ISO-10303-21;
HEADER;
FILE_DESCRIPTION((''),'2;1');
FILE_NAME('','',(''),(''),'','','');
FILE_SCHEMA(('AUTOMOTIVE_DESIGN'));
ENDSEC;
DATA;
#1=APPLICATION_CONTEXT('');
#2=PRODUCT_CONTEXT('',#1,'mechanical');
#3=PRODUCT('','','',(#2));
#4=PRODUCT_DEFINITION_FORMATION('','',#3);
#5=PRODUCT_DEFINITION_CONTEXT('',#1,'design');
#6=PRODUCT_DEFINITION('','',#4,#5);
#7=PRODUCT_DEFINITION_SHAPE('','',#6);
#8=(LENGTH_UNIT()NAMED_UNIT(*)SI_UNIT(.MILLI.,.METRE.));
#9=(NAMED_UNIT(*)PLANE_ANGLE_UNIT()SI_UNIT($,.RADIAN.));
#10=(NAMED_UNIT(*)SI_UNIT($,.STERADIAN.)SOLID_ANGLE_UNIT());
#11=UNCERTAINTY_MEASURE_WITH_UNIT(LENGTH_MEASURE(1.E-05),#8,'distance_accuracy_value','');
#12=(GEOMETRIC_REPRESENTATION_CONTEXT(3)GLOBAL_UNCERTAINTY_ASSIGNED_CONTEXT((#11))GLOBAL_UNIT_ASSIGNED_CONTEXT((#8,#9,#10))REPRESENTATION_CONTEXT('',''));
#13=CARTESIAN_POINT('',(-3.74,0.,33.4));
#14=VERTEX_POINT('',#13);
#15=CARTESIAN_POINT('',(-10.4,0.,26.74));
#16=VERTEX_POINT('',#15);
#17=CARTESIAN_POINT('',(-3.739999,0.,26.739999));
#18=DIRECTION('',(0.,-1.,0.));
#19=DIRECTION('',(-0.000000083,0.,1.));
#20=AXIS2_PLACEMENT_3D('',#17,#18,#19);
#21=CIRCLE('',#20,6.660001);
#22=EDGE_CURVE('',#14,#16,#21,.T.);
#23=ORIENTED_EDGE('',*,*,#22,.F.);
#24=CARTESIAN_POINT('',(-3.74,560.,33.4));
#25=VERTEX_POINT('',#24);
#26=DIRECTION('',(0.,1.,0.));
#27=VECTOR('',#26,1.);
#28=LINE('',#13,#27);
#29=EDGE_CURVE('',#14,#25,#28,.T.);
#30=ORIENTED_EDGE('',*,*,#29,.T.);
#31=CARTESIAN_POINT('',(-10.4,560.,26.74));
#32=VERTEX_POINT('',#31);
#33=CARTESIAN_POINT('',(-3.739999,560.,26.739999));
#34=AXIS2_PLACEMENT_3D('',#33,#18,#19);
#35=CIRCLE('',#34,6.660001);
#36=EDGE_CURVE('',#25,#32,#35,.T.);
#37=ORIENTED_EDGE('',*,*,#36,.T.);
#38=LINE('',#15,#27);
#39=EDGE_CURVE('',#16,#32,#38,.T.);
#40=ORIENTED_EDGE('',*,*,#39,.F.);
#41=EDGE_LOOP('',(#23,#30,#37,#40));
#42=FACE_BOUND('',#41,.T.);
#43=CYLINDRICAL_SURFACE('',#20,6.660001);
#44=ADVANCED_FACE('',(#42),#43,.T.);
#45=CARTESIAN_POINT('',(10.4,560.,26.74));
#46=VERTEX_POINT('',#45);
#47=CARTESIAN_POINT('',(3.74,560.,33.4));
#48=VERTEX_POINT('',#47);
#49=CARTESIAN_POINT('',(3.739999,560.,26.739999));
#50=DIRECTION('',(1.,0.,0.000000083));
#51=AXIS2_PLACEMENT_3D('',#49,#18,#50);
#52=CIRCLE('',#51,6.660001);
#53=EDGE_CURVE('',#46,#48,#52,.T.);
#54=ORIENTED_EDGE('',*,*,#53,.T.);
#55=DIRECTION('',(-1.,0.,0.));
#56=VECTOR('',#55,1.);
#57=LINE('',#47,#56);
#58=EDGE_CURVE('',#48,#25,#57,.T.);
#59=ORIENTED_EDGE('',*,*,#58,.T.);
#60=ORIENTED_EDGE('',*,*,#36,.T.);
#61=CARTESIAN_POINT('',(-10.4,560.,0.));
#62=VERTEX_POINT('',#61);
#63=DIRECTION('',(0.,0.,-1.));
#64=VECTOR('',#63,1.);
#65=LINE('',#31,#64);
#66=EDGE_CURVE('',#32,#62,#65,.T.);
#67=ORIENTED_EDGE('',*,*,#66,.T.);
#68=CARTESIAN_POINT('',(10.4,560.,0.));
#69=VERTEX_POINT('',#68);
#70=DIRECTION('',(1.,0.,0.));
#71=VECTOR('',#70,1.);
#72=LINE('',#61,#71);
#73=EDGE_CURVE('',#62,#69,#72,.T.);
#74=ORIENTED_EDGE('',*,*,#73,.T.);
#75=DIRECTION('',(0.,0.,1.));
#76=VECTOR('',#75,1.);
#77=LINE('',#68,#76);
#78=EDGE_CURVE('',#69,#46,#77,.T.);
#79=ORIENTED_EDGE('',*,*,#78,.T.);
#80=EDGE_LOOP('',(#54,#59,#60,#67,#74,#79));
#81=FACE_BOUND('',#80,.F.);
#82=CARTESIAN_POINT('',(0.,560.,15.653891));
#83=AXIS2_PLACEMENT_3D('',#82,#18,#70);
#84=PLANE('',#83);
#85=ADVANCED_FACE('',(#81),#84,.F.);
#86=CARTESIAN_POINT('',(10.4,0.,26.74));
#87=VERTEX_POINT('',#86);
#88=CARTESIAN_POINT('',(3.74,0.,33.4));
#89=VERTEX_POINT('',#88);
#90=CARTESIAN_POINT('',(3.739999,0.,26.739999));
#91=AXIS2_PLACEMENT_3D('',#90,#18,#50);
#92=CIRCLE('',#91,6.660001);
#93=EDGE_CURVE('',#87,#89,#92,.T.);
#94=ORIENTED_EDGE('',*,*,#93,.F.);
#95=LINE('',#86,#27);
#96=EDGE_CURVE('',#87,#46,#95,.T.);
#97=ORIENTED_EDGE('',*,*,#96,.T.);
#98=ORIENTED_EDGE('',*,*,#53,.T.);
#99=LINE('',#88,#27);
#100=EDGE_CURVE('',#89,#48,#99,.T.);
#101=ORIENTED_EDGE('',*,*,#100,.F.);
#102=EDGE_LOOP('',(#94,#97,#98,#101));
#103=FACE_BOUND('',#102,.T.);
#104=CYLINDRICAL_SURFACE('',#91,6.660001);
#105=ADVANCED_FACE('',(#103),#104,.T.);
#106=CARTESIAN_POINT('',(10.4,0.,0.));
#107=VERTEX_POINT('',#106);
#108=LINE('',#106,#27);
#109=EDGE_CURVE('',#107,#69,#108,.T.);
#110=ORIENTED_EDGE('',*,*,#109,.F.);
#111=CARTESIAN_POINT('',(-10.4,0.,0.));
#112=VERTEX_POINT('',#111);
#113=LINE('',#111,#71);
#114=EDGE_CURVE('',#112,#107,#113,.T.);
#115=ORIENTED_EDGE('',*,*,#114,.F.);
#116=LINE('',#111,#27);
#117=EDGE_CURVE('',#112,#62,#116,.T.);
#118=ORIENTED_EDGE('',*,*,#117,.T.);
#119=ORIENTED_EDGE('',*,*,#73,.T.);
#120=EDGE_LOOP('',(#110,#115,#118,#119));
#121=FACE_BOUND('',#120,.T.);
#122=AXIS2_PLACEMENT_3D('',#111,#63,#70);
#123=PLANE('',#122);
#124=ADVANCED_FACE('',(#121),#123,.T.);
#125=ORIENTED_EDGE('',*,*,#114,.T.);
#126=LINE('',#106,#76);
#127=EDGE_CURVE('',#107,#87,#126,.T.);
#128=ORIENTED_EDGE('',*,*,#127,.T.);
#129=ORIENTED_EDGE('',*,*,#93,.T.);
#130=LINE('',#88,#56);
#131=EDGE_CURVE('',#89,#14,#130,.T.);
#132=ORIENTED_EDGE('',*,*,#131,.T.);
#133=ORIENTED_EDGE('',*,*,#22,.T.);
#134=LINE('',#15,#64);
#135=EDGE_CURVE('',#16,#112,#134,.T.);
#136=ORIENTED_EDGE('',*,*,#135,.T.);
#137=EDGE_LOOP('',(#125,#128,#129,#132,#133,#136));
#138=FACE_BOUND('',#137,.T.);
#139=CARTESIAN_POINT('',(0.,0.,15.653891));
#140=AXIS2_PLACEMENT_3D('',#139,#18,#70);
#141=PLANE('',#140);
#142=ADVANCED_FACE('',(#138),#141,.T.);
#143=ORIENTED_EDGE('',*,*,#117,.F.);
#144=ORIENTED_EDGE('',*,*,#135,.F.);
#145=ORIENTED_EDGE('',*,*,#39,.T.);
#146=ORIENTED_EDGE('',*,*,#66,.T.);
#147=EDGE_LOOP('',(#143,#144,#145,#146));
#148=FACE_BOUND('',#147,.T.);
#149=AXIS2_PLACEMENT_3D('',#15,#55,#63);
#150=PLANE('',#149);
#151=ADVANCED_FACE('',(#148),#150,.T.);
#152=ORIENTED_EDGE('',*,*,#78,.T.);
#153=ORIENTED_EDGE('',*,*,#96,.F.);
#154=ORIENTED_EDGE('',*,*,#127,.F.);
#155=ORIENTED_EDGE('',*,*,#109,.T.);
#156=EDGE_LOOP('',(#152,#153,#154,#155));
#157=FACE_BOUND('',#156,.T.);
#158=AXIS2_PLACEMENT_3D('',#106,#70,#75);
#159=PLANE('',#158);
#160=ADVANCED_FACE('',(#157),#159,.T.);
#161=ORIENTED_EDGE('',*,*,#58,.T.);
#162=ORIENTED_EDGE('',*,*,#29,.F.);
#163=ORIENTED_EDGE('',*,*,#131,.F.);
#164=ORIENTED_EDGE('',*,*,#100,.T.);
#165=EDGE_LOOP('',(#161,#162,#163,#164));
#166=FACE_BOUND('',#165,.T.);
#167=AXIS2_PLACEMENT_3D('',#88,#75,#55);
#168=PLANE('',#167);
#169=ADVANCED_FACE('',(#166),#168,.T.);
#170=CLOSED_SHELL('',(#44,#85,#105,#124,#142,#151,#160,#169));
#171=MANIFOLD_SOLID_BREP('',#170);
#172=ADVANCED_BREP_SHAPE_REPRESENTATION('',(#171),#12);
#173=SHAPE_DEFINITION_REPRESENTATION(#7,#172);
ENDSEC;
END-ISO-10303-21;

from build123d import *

# Parameters (mm, degrees)
PAD_DEPTH = 560


with BuildPart() as part:
    # Sketch → Pad (new body)
    with BuildSketch(Plane.XZ):
        with BuildLine():
            Line((-10.4, 26.74), (-10.4, 0))
            Line((-10.4, 0), (10.4, 0))
            Line((10.4, 0), (10.4, 26.74))
            ThreePointArc((10.4, 26.74), (8.449331, 31.449331), (3.74, 33.4))
            Line((3.74, 33.4), (-3.74, 33.4))
            ThreePointArc((-3.74, 33.4), (-8.449331, 31.449331), (-10.4, 26.74))
        make_face()
    extrude(amount=-PAD_DEPTH)


solid = part.part
